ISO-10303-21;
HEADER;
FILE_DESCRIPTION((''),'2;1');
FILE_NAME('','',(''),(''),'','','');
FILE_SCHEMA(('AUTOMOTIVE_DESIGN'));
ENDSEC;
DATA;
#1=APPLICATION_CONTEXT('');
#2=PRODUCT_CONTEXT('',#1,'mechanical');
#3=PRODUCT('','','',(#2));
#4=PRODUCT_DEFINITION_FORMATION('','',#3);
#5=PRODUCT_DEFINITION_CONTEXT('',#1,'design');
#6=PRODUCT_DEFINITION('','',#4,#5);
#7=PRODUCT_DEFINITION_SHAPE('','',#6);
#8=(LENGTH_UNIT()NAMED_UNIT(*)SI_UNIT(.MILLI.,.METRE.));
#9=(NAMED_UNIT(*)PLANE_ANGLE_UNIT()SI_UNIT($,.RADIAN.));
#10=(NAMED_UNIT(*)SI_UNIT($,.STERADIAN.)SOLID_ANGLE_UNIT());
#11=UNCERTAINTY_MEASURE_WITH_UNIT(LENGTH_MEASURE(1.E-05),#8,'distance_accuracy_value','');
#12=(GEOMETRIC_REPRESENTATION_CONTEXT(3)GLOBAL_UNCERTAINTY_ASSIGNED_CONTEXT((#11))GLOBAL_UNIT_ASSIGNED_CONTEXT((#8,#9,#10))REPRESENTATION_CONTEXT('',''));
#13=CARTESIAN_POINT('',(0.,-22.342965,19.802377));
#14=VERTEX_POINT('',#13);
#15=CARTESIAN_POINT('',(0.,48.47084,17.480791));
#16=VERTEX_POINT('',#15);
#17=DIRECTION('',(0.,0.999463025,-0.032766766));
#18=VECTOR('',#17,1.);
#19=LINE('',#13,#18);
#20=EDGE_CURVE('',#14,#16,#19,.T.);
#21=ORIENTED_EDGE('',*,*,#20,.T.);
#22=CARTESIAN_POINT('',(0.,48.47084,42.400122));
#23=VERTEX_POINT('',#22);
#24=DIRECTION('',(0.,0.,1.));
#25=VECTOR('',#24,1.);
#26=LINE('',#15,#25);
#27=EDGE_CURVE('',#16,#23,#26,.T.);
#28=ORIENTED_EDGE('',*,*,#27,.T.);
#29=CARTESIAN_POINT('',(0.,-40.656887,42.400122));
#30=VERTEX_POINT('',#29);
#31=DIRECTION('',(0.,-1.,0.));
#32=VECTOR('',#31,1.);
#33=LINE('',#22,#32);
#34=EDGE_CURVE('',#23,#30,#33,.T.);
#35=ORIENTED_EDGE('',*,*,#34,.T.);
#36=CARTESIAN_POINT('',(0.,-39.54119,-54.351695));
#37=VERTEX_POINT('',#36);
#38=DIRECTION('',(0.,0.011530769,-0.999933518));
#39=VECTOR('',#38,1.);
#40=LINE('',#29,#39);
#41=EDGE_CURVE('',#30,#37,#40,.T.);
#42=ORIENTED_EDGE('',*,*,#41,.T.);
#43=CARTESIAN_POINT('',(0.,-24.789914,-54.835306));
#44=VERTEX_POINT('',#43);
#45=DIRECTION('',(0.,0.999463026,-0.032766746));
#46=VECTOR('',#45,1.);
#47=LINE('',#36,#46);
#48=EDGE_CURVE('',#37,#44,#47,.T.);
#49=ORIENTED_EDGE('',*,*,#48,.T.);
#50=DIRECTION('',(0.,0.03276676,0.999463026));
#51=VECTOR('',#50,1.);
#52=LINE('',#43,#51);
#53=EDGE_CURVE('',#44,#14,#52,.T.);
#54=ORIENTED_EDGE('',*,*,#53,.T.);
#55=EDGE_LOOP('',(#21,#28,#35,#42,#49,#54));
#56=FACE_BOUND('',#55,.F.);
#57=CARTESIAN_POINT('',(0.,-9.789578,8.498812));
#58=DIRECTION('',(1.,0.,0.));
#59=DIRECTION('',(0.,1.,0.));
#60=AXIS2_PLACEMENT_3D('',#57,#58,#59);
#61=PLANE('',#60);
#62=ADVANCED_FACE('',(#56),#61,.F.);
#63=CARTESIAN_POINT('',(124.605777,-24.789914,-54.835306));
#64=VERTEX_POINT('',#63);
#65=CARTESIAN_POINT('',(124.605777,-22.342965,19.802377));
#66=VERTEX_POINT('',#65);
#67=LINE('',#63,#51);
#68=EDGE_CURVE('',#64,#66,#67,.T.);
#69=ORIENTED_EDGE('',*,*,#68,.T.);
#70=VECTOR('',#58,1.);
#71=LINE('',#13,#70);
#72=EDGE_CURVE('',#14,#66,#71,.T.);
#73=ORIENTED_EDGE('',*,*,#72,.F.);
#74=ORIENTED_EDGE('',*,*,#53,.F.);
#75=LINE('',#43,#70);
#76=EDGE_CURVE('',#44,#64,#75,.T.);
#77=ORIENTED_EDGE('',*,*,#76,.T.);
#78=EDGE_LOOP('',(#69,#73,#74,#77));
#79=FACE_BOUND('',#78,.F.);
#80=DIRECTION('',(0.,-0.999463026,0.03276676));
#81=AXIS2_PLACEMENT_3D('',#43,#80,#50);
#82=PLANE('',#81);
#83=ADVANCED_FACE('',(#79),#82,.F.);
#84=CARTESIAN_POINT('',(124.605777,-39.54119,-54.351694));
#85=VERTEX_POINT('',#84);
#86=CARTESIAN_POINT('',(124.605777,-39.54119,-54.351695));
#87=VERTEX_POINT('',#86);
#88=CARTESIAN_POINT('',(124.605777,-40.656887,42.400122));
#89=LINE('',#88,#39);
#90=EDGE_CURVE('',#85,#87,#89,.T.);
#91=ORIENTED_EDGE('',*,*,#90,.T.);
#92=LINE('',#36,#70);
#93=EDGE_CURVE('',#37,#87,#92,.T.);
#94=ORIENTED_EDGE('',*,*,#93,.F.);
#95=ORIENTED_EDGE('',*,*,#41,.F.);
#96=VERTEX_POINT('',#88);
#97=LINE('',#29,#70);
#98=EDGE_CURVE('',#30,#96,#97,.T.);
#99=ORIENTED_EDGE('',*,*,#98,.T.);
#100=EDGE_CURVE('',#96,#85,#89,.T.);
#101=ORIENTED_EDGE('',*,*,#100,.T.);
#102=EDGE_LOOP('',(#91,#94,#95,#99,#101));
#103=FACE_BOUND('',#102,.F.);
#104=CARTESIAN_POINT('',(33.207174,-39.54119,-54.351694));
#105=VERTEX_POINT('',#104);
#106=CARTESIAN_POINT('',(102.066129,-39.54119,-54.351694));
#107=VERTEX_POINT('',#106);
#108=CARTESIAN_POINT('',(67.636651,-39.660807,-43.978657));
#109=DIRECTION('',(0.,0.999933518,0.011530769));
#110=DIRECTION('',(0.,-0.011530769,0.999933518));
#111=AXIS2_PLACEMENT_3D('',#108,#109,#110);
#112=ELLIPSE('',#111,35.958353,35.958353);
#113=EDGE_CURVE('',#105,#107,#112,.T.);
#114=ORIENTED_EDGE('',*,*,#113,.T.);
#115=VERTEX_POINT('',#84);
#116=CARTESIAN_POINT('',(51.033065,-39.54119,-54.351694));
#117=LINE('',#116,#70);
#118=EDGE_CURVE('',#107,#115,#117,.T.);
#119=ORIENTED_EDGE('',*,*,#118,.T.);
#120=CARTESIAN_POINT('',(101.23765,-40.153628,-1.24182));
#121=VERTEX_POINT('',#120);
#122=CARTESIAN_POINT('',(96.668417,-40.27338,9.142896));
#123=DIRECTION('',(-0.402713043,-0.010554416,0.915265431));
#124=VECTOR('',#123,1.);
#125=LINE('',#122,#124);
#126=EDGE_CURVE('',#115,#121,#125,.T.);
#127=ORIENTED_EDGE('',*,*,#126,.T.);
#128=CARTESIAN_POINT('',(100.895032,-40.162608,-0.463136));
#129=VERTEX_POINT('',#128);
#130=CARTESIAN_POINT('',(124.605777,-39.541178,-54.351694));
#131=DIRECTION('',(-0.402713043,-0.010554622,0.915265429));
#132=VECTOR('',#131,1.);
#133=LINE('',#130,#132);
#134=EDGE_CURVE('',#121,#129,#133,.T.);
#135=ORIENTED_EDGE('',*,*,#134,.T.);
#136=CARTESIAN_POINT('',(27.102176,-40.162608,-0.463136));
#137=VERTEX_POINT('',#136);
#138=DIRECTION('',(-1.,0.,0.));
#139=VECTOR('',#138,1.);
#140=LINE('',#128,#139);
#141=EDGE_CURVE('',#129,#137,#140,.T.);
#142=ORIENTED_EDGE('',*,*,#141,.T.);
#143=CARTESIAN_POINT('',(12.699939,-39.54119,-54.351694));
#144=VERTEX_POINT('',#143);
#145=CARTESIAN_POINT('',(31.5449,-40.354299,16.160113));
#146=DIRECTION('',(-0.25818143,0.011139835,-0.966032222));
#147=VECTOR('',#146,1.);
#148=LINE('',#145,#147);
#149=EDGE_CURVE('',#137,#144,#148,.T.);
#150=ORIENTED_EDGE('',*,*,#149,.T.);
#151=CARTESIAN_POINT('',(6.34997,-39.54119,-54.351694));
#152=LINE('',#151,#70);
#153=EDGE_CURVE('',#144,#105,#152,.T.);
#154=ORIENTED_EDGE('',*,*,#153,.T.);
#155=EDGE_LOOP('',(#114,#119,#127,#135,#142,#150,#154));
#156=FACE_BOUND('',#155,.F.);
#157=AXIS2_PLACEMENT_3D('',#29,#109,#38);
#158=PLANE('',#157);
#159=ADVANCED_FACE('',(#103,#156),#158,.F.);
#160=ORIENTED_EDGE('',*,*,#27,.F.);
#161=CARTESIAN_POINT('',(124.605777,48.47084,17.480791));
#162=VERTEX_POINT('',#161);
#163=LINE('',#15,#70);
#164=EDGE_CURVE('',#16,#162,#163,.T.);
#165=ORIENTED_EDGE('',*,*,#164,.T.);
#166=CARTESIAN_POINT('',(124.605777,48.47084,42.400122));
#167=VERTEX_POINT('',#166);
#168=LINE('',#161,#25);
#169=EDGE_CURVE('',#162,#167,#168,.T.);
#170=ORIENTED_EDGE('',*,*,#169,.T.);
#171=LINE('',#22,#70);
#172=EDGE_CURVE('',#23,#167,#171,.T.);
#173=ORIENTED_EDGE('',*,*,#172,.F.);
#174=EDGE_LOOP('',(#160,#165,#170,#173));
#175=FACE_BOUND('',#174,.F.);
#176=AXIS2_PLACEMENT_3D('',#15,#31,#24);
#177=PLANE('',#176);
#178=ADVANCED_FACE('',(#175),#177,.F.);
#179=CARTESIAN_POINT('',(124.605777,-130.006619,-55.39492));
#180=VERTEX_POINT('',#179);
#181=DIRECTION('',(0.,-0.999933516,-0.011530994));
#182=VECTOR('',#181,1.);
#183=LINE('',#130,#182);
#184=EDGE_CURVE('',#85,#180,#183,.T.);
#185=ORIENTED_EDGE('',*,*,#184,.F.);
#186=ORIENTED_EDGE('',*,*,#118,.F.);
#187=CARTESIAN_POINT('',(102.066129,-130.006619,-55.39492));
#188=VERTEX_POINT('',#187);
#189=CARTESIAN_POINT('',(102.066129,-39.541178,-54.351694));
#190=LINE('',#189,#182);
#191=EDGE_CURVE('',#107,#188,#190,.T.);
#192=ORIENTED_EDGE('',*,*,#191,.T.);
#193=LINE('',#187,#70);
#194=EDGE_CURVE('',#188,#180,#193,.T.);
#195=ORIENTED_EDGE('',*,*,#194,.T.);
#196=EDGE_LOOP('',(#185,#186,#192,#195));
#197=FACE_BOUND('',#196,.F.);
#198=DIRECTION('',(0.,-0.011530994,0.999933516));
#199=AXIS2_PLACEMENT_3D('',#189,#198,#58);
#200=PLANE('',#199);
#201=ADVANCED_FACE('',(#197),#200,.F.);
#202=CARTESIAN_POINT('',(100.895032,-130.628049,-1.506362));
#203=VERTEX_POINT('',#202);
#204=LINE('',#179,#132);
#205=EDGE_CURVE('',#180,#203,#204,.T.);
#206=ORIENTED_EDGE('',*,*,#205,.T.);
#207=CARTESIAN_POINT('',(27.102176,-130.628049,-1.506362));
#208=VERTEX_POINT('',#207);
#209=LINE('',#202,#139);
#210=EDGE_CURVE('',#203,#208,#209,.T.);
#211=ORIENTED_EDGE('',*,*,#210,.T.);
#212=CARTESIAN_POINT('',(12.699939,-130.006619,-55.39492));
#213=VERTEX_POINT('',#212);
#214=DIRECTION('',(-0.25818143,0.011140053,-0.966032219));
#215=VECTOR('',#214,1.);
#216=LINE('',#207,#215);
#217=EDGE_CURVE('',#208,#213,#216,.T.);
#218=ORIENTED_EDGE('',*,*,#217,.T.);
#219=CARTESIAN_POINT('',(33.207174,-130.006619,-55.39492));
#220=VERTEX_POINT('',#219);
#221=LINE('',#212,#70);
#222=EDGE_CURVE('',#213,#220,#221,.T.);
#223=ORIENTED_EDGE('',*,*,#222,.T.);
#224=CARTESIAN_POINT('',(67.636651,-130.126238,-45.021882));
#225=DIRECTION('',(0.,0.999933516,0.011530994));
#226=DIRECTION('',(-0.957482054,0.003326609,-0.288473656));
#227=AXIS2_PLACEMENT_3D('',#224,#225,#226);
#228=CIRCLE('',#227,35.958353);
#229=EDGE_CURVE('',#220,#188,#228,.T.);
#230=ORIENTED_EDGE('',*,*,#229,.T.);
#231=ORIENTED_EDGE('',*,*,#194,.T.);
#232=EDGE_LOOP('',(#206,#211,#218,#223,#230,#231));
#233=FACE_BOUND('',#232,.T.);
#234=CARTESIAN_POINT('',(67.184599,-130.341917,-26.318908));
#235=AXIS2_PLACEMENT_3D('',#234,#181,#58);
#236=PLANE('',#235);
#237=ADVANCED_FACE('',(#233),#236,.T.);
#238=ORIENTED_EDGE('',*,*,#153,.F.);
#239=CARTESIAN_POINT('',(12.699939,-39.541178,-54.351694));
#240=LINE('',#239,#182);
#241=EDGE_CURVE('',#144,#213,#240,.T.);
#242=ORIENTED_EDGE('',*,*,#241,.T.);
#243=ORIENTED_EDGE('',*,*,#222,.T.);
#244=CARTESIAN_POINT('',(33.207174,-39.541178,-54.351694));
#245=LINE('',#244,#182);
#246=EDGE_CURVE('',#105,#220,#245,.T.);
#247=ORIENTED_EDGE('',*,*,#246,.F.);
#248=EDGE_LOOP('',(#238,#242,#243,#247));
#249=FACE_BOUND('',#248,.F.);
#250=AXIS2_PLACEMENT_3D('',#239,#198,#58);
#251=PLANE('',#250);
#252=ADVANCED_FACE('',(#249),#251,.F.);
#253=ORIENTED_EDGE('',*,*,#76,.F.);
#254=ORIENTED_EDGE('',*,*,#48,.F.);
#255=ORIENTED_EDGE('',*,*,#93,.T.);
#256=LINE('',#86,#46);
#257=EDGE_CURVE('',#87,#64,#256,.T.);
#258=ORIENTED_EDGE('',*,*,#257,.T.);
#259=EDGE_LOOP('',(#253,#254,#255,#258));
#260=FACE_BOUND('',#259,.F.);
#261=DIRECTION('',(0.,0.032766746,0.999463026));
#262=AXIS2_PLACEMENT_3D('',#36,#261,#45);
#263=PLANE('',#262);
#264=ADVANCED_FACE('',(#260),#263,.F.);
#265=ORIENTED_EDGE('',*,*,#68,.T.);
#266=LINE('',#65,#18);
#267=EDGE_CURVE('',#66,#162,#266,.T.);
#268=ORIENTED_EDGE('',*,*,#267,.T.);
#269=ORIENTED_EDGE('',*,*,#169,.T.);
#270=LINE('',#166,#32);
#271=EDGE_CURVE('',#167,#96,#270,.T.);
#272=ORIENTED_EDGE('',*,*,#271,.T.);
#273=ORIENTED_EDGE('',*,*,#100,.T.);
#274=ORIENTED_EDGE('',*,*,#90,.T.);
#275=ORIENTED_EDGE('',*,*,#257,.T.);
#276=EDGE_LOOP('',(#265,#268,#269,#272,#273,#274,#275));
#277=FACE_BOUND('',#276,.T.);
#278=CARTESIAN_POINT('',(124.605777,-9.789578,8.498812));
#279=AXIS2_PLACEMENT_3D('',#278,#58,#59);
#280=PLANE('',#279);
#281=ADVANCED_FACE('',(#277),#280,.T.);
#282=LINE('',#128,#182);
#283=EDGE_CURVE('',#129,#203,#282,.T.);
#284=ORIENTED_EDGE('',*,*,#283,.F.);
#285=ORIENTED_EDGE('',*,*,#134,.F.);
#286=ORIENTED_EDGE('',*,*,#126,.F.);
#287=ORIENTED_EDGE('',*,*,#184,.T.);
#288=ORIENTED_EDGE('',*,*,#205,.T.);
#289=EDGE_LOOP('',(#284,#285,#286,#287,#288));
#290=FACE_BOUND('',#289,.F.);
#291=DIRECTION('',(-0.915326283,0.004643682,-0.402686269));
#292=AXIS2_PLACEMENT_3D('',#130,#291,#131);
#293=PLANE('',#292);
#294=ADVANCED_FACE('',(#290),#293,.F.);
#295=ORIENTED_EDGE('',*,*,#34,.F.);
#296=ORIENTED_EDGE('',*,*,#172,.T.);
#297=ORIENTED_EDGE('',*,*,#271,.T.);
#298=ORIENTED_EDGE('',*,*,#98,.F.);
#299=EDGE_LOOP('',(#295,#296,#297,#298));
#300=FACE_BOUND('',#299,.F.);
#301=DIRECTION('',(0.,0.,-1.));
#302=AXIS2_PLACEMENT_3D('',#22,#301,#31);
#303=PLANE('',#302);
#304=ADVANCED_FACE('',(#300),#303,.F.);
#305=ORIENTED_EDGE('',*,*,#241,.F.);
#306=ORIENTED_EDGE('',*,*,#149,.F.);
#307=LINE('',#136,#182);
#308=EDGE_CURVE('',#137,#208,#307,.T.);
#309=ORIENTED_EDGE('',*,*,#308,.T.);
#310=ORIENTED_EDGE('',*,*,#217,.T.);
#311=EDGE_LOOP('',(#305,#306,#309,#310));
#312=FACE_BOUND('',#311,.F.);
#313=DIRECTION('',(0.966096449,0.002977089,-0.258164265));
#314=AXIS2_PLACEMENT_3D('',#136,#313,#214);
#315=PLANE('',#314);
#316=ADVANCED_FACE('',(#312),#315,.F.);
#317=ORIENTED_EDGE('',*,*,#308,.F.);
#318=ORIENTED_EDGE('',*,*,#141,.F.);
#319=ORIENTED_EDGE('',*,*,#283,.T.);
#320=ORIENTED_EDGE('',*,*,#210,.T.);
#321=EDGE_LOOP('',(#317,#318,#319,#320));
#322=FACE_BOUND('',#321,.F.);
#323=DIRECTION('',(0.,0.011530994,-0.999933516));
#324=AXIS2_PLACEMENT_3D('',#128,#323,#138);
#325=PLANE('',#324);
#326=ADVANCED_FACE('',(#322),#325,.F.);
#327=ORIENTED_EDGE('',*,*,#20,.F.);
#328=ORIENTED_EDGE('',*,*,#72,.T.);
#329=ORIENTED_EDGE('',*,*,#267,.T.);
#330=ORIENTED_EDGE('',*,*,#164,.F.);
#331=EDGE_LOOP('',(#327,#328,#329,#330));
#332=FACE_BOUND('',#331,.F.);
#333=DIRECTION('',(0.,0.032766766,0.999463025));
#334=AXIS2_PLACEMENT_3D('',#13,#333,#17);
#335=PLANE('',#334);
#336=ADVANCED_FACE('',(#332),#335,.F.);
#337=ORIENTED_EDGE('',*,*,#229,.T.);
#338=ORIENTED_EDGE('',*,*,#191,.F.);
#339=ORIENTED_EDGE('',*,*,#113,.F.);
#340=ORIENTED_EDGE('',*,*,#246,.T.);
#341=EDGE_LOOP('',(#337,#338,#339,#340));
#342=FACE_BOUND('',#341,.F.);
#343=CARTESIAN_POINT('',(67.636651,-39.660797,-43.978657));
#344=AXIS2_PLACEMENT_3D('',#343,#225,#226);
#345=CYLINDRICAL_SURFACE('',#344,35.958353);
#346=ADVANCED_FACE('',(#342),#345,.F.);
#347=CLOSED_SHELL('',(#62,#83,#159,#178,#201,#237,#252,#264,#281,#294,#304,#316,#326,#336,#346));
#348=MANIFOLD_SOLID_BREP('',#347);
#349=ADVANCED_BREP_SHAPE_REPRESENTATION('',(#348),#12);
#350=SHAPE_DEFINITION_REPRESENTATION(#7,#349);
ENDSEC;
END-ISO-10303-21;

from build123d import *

# Parameters (mm, degrees)
F1_DEPTH = 124.605777
F3_DEPTH = 90.471456


with BuildPart() as f1:
    # F0 (on Right) → F1 (new body)
    with BuildSketch(Plane.YZ):
        Polygon((48.47084, 42.400122), (-40.656887, 42.400122), (-39.54119, -54.351695), (-24.789914, -54.835306), (-22.342965, 19.802377), (48.47084, 17.480791), align=None)
    extrude(amount=F1_DEPTH)

    # F2 (on face) → F3 (join)
    with BuildSketch(Plane(origin=(0, -40.162608, -0.463136), x_dir=(1, 0, 0), z_dir=(0, -0.999934, -0.011531))):
        with BuildLine():
            ThreePointArc((33.207174, -53.892141), (67.636652, -7.560061), (102.066129, -53.892141))
            Line((102.066129, -53.892141), (124.605777, -53.892141))
            Line((124.605777, -53.892141), (100.895032, 0))
            Line((100.895032, 0), (27.102176, 0))
            Line((27.102176, 0), (12.699939, -53.892141))
            Line((12.699939, -53.892141), (33.207174, -53.892141))
        make_face()
    extrude(amount=F3_DEPTH)


solid = f1.part
